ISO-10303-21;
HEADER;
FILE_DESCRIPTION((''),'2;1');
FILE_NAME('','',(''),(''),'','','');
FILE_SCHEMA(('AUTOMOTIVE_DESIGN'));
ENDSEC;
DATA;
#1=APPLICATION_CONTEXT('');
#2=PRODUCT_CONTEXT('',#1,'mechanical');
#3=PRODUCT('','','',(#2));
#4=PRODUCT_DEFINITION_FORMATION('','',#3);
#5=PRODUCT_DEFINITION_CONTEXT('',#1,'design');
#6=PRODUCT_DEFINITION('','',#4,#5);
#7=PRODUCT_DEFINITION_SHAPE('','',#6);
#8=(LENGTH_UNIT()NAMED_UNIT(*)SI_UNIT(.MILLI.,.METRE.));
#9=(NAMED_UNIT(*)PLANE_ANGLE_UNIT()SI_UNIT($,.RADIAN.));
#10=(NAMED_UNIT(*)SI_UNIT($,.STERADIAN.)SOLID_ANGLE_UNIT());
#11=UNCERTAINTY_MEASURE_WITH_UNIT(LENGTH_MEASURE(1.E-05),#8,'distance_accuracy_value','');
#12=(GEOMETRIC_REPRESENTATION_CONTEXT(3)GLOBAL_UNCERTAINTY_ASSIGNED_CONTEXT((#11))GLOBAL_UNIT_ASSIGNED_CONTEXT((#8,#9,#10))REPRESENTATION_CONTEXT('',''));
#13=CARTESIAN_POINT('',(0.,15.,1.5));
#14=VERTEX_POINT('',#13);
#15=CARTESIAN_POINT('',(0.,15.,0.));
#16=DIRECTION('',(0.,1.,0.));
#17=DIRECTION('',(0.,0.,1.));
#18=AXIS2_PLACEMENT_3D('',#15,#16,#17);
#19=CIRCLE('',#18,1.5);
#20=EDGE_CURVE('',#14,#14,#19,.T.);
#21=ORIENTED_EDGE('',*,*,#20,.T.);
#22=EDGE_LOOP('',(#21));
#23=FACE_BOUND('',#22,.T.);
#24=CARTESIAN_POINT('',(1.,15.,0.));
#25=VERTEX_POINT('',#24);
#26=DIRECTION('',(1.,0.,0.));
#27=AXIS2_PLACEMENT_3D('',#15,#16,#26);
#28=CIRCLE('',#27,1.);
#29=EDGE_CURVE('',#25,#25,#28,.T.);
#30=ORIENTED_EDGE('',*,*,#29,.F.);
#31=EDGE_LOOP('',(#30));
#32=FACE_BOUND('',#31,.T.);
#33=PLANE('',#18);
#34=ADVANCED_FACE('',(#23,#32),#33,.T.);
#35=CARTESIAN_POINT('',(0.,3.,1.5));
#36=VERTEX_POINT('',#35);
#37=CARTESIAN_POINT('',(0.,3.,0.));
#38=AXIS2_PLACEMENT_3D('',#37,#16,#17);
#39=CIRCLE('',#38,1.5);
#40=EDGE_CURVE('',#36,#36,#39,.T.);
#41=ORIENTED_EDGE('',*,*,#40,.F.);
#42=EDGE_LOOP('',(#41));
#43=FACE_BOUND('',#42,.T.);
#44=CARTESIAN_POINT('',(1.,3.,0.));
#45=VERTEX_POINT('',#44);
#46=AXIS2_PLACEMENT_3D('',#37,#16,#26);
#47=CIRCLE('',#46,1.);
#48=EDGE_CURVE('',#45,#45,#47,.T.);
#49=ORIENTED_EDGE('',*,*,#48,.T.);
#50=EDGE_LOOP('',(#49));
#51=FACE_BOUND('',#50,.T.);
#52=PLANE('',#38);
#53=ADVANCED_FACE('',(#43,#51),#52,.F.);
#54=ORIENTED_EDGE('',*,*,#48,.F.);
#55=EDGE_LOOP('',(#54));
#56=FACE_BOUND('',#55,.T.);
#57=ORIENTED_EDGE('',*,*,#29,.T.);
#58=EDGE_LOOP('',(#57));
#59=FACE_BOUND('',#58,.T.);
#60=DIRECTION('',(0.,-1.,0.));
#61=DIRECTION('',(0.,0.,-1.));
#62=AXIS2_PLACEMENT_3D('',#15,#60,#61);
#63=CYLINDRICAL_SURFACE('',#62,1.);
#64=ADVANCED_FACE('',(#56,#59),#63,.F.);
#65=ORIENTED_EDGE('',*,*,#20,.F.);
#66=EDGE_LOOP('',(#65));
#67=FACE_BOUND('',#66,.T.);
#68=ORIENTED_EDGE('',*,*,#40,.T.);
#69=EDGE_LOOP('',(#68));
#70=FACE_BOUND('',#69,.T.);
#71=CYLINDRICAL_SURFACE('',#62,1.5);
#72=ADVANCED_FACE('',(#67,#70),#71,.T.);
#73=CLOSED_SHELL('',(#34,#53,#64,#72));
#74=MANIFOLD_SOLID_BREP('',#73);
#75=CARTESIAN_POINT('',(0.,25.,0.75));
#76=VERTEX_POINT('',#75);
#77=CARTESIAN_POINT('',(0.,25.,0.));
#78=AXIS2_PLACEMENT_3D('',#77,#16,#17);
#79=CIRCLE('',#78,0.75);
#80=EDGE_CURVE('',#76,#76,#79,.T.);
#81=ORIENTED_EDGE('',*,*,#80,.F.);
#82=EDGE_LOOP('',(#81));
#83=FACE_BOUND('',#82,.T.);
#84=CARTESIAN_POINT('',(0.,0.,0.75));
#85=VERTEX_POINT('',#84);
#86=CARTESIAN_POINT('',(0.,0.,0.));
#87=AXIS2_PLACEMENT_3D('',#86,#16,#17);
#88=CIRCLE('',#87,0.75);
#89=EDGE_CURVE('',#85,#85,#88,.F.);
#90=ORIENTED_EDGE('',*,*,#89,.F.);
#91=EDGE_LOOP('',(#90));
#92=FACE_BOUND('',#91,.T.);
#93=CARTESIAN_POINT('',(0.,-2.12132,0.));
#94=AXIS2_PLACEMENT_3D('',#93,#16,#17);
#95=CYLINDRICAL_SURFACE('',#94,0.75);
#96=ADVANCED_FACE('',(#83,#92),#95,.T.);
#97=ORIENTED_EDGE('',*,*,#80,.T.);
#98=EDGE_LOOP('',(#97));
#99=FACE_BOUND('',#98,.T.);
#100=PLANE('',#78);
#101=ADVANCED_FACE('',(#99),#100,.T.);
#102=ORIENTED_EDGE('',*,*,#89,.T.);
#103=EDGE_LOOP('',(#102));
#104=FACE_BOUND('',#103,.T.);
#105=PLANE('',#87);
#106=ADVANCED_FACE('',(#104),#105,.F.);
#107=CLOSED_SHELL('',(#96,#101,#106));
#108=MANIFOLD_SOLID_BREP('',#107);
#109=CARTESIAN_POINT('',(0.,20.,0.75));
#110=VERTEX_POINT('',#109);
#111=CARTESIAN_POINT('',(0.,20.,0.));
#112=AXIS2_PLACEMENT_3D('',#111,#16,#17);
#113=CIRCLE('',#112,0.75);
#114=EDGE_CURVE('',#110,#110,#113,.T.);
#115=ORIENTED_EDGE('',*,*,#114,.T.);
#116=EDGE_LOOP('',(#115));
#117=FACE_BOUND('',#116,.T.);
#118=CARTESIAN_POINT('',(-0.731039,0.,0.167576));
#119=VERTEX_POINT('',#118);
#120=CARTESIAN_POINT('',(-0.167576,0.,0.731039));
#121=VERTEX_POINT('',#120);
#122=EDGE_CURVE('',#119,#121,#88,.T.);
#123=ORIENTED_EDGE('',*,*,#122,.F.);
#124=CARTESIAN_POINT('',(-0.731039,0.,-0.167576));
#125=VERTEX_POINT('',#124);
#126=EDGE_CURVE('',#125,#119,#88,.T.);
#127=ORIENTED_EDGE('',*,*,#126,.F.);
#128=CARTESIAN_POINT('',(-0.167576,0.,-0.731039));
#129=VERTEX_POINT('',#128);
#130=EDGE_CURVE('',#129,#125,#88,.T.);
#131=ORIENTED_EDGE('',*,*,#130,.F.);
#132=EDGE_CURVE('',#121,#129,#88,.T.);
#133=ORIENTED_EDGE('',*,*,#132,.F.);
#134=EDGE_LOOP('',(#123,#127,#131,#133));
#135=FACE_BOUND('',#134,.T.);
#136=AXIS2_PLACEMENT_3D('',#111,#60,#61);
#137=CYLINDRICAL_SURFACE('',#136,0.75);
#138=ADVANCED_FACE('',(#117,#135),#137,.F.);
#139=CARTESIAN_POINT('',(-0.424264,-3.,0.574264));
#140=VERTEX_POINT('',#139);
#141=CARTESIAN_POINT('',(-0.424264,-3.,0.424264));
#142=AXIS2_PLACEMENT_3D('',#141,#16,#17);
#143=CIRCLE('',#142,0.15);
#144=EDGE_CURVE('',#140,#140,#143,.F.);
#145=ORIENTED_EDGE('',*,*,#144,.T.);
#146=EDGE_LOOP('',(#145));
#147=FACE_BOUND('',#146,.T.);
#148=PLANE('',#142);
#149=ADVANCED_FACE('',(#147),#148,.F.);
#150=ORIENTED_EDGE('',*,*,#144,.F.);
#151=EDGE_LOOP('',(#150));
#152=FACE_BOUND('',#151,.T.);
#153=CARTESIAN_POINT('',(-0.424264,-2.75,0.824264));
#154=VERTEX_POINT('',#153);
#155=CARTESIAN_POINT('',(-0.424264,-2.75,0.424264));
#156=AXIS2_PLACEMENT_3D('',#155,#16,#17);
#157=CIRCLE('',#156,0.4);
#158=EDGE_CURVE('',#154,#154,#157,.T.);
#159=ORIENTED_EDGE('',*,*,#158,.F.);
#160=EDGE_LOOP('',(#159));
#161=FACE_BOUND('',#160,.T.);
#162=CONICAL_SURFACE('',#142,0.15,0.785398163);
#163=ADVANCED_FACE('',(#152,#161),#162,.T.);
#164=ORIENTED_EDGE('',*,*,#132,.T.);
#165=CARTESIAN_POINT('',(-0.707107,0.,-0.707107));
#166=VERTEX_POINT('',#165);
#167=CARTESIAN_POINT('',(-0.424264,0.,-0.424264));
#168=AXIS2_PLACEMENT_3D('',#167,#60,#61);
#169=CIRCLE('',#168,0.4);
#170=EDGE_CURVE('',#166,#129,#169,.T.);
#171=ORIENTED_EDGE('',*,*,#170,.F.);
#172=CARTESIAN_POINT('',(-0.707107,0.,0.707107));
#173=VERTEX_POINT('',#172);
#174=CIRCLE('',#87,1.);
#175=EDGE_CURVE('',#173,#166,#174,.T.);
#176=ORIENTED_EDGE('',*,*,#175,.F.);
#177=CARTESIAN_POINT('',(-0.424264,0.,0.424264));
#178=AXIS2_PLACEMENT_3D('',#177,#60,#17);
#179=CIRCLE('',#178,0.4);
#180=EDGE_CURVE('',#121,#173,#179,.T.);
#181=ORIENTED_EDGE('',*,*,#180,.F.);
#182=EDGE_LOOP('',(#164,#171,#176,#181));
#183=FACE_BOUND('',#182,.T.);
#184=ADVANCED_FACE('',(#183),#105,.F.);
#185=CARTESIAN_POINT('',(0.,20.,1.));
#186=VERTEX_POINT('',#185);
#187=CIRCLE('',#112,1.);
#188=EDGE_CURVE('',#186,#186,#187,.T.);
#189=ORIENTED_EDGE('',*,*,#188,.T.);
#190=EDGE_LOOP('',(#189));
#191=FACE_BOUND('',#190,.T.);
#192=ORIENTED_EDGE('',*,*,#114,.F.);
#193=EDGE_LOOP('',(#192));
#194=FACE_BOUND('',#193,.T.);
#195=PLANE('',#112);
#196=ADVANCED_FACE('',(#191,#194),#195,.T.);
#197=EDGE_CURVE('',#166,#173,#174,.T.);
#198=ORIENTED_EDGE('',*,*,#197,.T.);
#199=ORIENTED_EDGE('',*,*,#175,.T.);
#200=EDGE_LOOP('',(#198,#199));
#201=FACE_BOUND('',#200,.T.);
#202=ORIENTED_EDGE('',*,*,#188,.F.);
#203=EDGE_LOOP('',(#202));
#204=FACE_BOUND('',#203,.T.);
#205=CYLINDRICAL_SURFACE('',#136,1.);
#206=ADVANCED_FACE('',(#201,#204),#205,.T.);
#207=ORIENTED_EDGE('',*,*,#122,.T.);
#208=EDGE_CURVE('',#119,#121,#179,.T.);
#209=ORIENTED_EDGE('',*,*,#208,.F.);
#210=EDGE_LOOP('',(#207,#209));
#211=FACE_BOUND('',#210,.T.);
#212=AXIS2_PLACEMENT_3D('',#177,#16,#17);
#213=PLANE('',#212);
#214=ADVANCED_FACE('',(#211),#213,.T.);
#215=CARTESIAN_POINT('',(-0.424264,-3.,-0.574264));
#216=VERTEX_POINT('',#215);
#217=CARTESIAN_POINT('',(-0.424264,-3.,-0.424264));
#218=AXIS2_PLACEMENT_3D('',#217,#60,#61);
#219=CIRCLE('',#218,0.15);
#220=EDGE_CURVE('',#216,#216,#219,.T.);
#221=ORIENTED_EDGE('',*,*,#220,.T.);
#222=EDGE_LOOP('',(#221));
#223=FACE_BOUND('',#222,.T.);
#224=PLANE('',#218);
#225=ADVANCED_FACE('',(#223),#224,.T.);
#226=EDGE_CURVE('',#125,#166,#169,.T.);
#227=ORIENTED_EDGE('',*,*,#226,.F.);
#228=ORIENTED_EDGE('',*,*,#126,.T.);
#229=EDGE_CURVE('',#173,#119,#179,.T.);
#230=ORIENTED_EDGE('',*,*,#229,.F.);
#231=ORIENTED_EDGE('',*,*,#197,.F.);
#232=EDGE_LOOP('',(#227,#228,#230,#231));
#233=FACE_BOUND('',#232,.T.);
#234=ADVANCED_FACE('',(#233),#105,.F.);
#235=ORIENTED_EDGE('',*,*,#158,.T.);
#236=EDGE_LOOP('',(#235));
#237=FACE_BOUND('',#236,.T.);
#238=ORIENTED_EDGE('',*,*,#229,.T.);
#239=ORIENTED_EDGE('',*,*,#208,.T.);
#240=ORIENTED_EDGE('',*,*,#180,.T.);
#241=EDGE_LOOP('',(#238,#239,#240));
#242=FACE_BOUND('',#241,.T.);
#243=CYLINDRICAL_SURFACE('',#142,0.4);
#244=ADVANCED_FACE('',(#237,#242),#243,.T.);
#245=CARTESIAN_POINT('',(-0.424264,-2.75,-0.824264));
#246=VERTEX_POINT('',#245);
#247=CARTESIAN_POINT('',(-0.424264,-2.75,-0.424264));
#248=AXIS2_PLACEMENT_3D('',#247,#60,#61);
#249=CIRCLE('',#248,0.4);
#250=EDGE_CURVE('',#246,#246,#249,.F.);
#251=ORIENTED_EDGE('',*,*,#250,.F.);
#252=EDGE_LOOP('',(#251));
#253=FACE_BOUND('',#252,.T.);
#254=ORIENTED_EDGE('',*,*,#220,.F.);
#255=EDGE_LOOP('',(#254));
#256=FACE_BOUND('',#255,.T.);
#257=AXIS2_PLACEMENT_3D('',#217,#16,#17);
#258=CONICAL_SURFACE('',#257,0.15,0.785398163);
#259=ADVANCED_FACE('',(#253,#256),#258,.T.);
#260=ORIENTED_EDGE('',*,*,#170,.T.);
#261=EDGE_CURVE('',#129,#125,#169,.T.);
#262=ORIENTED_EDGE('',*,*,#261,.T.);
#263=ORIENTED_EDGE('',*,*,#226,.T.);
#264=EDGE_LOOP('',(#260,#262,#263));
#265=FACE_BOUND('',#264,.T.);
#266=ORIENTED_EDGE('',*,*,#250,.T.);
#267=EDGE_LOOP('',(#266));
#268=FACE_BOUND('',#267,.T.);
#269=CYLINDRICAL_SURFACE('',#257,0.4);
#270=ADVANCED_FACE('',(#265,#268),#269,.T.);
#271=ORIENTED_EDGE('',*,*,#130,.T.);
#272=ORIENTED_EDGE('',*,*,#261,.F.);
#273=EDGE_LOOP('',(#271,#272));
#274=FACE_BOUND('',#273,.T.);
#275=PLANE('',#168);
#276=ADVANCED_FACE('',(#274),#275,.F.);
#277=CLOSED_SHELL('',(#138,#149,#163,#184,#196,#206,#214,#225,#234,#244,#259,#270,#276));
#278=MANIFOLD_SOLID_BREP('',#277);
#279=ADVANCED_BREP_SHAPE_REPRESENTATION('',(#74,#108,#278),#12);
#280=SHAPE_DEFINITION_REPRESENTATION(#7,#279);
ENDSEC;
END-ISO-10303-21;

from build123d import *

# Parameters (mm, degrees)
SKIZZE1_R                            = 1
SKIZZE1_R_2                          = 0.75
AUFSATZ_LINEAR_AUSTRAGEN1_DEPTH      = 20
SKIZZE2_R                            = 0.75
AUFSATZ_LINEAR_AUSTRAGEN2_DEPTH      = 5
AUFSATZ_LINEAR_AUSTRAGEN2_DEPTH_BACK = 20
SKIZZE3_R                            = 1.5
SKIZZE3_R_2                          = 1
LINEAR_AUSTRAGEN_D_NN1_DEPTH         = 12
SKIZZE5_R                            = 0.4
AUFSATZ_LINEAR_AUSTRAGEN3_DEPTH      = 3
FASE1_SIZE                           = 0.25


with BuildPart() as part:
    # Skizze1 → Aufsatz-Linear austragen1 (new body)
    with BuildSketch(Plane(origin=(0, 0, 0), x_dir=(1, 0, 0), z_dir=(0, 1, 0))):
        Circle(SKIZZE1_R)
        Circle(SKIZZE1_R_2, mode=Mode.SUBTRACT)
    extrude(amount=AUFSATZ_LINEAR_AUSTRAGEN1_DEPTH)

    # Skizze5 → Aufsatz-Linear austragen3 (add)
    with BuildSketch(Plane.XZ):
        with Locations((-0.424264069, -0.424264069)):
            Circle(SKIZZE5_R)
        with Locations((-0.424264069, 0.424264069)):
            Circle(SKIZZE5_R)
    extrude(amount=AUFSATZ_LINEAR_AUSTRAGEN3_DEPTH)

    # Fase1
    fase1_edges = [part.edges().sort_by_distance(p)[0] for p in [
        (-0.824264069, -3, -0.424264069),
        (-0.824264069, -3, 0.424264069),
    ]]
    chamfer(fase1_edges, length=FASE1_SIZE)


with BuildPart() as body_2:
    # Skizze2 → Aufsatz-Linear austragen2 (new body, two sides)
    with BuildSketch(Plane(origin=(0, 20, 0), x_dir=(1, 0, 0), z_dir=(0, 1, 0))) as aufsatz_linear_austragen2_sk:
        Circle(SKIZZE2_R)
    extrude(amount=AUFSATZ_LINEAR_AUSTRAGEN2_DEPTH)
    extrude(aufsatz_linear_austragen2_sk.sketch, amount=-AUFSATZ_LINEAR_AUSTRAGEN2_DEPTH_BACK)


with BuildPart() as body_3:
    # Skizze3 → Linear-Austragen-Dünn1 (new body)
    with BuildSketch(Plane(origin=(0, 3, 0), x_dir=(1, 0, 0), z_dir=(0, 1, 0))):
        Circle(SKIZZE3_R)
        Circle(SKIZZE3_R_2, mode=Mode.SUBTRACT)
    extrude(amount=LINEAR_AUSTRAGEN_D_NN1_DEPTH)


solid = Compound([part.part, body_2.part, body_3.part])
